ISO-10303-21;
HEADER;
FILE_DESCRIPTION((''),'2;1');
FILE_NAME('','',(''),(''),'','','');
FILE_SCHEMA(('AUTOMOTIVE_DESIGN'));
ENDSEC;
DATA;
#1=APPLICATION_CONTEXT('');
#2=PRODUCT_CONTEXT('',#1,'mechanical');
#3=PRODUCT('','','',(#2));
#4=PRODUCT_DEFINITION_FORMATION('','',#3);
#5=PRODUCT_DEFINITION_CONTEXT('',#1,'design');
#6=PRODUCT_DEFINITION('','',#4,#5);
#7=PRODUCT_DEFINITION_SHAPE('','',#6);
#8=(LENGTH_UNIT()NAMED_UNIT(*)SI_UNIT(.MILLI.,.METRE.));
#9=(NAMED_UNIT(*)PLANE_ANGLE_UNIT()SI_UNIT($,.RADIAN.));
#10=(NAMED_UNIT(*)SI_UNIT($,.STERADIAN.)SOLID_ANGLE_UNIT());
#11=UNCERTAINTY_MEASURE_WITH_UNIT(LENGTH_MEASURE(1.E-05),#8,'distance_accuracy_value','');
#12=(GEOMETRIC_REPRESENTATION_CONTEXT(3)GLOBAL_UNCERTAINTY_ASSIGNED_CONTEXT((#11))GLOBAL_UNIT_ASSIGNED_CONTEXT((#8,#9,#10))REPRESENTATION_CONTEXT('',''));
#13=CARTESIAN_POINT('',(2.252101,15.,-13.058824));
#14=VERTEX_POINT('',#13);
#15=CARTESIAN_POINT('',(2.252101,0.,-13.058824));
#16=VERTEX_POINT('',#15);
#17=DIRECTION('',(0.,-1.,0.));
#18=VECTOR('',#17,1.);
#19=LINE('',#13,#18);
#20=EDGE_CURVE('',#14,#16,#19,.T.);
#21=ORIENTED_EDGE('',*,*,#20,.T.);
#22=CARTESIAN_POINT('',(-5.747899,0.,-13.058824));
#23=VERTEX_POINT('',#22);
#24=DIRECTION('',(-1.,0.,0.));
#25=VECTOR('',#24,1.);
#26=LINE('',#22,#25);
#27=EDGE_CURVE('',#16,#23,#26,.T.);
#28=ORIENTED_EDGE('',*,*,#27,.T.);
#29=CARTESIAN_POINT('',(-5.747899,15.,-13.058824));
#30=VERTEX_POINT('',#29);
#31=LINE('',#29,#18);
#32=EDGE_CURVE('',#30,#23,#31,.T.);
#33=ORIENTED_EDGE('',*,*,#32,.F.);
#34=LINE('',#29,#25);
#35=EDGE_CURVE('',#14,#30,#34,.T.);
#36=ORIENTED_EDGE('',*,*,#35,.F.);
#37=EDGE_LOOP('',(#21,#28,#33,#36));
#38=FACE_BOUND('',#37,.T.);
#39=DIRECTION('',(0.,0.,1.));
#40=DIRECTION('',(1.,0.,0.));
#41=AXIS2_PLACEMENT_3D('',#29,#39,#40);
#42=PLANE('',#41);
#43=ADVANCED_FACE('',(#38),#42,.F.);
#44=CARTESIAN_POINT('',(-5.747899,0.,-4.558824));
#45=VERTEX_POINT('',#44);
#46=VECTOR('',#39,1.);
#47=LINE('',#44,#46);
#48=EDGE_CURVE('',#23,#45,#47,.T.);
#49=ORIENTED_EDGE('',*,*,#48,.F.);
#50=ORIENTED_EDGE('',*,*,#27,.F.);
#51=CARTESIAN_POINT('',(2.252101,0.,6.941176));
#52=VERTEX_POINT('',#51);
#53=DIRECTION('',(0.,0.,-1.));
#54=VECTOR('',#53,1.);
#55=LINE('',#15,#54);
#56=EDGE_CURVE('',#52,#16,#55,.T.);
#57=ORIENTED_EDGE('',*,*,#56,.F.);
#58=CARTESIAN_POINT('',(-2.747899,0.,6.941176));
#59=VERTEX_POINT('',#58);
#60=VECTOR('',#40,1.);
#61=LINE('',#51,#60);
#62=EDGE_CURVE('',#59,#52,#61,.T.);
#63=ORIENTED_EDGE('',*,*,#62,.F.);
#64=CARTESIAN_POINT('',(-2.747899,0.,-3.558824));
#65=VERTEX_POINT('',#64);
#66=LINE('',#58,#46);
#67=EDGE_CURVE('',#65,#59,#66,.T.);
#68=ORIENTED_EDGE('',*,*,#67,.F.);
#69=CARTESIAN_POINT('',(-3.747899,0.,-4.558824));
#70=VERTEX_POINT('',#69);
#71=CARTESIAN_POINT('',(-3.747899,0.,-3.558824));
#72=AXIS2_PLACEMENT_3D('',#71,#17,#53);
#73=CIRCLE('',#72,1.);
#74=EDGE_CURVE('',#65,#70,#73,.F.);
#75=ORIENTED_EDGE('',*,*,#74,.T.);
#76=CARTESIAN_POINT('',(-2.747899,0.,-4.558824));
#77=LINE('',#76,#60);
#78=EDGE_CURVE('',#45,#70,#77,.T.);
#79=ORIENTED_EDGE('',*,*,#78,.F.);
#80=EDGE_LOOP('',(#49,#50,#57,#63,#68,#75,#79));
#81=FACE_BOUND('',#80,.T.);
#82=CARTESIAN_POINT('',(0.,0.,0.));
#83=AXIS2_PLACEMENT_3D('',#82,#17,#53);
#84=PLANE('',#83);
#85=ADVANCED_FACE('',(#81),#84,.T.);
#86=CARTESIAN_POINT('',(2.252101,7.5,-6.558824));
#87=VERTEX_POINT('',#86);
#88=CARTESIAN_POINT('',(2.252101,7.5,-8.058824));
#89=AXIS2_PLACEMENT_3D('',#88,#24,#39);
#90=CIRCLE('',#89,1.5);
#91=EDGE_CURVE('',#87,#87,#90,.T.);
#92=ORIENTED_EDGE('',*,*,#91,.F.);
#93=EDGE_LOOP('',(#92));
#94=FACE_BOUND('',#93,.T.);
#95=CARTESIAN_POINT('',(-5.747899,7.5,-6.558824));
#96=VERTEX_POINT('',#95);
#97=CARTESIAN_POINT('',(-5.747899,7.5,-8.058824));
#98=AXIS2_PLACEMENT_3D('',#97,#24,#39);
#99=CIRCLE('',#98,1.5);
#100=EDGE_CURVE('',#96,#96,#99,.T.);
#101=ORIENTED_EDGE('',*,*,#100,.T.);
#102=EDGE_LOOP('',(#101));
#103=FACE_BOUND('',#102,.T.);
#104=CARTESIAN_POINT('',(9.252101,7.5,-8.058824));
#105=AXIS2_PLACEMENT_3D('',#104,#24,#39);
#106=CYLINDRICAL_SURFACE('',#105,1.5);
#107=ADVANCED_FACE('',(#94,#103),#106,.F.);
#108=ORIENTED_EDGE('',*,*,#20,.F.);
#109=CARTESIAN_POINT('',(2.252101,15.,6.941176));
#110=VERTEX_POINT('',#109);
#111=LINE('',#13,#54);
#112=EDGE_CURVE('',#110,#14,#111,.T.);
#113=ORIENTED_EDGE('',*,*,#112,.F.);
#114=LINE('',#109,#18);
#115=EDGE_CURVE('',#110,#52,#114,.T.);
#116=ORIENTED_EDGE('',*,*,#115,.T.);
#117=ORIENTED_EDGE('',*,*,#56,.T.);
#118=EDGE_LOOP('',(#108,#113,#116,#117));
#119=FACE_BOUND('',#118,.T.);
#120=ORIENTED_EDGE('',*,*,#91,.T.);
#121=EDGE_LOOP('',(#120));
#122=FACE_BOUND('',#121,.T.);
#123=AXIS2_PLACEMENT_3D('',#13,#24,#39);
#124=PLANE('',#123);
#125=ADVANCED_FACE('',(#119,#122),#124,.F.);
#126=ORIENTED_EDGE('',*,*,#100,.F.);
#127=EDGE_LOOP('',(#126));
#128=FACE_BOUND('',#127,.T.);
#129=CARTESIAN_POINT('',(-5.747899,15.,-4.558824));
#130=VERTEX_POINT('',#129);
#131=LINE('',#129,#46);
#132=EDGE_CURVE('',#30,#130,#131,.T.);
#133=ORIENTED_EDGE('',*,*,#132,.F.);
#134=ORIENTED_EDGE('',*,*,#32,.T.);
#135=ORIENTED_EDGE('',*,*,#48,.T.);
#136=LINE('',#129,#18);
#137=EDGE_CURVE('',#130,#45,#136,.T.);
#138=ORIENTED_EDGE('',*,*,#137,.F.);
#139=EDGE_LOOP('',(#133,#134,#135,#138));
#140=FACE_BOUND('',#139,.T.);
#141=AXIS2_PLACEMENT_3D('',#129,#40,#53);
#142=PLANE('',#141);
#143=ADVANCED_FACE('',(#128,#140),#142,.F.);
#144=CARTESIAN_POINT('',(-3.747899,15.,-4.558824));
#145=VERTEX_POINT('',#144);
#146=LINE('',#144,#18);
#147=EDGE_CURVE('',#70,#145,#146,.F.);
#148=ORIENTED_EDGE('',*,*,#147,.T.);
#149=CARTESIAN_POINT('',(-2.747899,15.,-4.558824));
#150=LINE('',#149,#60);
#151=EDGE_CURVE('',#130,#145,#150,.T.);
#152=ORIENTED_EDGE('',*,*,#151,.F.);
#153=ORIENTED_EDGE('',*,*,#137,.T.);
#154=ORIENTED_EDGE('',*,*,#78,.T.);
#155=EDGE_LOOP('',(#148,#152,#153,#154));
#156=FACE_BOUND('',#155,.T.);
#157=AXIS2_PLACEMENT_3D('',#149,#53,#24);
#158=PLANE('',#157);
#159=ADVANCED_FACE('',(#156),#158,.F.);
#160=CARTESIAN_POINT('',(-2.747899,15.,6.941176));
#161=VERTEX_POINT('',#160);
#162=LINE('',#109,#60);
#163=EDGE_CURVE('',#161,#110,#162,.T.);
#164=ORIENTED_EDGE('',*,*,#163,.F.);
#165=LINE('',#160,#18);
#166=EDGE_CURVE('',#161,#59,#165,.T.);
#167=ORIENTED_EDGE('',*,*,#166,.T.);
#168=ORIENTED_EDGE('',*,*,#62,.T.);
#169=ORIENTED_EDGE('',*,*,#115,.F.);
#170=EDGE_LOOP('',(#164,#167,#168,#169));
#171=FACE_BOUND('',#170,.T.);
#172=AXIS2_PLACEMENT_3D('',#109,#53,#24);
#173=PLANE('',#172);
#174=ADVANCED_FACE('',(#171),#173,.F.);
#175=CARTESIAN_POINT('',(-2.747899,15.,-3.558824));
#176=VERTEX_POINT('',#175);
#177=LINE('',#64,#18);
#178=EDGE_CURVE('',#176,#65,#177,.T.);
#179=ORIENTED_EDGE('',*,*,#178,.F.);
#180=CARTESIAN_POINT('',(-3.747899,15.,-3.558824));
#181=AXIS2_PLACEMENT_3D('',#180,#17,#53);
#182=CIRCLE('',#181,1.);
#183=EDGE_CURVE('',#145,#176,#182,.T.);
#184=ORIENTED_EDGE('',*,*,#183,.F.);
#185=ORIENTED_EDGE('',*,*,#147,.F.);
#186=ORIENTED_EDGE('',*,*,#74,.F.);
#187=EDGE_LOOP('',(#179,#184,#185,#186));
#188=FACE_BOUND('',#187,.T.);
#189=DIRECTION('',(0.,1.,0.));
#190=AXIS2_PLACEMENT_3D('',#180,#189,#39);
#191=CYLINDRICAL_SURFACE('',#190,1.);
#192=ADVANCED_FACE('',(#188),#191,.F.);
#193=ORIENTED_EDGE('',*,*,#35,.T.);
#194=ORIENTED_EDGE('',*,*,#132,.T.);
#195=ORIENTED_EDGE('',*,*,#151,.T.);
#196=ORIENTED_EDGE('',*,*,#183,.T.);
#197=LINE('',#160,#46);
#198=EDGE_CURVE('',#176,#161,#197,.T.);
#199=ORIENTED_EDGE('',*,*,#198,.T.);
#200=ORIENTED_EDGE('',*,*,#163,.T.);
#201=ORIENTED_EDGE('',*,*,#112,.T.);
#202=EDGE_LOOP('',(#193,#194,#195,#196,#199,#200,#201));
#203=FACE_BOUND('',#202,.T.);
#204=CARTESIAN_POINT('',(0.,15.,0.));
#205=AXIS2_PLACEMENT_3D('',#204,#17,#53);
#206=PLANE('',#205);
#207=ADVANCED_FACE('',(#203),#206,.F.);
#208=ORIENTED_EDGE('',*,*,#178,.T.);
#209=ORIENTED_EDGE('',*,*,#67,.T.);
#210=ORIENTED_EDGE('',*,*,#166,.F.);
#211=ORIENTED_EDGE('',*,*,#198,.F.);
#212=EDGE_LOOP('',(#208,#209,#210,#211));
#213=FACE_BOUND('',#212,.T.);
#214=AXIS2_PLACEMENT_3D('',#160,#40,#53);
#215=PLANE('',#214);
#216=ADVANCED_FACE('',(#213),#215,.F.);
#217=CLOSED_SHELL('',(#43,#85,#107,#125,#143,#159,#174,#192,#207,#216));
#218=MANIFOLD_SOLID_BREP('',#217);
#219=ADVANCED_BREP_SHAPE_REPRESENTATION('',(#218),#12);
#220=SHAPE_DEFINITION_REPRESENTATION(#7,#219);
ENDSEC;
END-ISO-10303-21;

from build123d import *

# Parameters (mm, degrees)
EXTRUDE_1_DEPTH     = 15
CUT_EXTRUDE_1_DEPTH = 15
FILLET_1_R          = 1


with BuildPart() as part:
    # 草图1 → 凸台-拉伸1 (new body)
    with BuildSketch(Plane(origin=(0, 0, 0), x_dir=(1, 0, 0), z_dir=(0, 1, 0))):
        Polygon((-5.74789916, 13.058823529), (2.25210084, 13.058823529), (2.25210084, -6.941176471), (-2.74789916, -6.941176471), (-2.74789916, 4.558823529), (-5.74789916, 4.558823529), align=None)
    extrude(amount=EXTRUDE_1_DEPTH)

    # 草图2 → 切除-拉伸1 (cut)
    with BuildSketch(Plane.ZY.offset(5.74789916)):
        with BuildLine():
            ThreePointArc((-6.558823529, 7.5), (-8.058823529, 9), (-9.558823529, 7.5))
            Line((-9.558823529, 7.5), (-6.558823529, 7.5))
        make_face()
        with BuildLine():
            Line((-6.558823529, 7.5), (-9.558823529, 7.5))
            ThreePointArc((-9.558823529, 7.5), (-8.058823529, 6), (-6.558823529, 7.5))
        make_face()
    extrude(amount=-CUT_EXTRUDE_1_DEPTH, mode=Mode.SUBTRACT)

    # 圆角1
    fillet_1_edges = [part.edges().sort_by_distance(p)[0] for p in [
        (-2.74789916, 7.5, -4.558823529),
    ]]
    fillet(fillet_1_edges, radius=FILLET_1_R)


solid = part.part
